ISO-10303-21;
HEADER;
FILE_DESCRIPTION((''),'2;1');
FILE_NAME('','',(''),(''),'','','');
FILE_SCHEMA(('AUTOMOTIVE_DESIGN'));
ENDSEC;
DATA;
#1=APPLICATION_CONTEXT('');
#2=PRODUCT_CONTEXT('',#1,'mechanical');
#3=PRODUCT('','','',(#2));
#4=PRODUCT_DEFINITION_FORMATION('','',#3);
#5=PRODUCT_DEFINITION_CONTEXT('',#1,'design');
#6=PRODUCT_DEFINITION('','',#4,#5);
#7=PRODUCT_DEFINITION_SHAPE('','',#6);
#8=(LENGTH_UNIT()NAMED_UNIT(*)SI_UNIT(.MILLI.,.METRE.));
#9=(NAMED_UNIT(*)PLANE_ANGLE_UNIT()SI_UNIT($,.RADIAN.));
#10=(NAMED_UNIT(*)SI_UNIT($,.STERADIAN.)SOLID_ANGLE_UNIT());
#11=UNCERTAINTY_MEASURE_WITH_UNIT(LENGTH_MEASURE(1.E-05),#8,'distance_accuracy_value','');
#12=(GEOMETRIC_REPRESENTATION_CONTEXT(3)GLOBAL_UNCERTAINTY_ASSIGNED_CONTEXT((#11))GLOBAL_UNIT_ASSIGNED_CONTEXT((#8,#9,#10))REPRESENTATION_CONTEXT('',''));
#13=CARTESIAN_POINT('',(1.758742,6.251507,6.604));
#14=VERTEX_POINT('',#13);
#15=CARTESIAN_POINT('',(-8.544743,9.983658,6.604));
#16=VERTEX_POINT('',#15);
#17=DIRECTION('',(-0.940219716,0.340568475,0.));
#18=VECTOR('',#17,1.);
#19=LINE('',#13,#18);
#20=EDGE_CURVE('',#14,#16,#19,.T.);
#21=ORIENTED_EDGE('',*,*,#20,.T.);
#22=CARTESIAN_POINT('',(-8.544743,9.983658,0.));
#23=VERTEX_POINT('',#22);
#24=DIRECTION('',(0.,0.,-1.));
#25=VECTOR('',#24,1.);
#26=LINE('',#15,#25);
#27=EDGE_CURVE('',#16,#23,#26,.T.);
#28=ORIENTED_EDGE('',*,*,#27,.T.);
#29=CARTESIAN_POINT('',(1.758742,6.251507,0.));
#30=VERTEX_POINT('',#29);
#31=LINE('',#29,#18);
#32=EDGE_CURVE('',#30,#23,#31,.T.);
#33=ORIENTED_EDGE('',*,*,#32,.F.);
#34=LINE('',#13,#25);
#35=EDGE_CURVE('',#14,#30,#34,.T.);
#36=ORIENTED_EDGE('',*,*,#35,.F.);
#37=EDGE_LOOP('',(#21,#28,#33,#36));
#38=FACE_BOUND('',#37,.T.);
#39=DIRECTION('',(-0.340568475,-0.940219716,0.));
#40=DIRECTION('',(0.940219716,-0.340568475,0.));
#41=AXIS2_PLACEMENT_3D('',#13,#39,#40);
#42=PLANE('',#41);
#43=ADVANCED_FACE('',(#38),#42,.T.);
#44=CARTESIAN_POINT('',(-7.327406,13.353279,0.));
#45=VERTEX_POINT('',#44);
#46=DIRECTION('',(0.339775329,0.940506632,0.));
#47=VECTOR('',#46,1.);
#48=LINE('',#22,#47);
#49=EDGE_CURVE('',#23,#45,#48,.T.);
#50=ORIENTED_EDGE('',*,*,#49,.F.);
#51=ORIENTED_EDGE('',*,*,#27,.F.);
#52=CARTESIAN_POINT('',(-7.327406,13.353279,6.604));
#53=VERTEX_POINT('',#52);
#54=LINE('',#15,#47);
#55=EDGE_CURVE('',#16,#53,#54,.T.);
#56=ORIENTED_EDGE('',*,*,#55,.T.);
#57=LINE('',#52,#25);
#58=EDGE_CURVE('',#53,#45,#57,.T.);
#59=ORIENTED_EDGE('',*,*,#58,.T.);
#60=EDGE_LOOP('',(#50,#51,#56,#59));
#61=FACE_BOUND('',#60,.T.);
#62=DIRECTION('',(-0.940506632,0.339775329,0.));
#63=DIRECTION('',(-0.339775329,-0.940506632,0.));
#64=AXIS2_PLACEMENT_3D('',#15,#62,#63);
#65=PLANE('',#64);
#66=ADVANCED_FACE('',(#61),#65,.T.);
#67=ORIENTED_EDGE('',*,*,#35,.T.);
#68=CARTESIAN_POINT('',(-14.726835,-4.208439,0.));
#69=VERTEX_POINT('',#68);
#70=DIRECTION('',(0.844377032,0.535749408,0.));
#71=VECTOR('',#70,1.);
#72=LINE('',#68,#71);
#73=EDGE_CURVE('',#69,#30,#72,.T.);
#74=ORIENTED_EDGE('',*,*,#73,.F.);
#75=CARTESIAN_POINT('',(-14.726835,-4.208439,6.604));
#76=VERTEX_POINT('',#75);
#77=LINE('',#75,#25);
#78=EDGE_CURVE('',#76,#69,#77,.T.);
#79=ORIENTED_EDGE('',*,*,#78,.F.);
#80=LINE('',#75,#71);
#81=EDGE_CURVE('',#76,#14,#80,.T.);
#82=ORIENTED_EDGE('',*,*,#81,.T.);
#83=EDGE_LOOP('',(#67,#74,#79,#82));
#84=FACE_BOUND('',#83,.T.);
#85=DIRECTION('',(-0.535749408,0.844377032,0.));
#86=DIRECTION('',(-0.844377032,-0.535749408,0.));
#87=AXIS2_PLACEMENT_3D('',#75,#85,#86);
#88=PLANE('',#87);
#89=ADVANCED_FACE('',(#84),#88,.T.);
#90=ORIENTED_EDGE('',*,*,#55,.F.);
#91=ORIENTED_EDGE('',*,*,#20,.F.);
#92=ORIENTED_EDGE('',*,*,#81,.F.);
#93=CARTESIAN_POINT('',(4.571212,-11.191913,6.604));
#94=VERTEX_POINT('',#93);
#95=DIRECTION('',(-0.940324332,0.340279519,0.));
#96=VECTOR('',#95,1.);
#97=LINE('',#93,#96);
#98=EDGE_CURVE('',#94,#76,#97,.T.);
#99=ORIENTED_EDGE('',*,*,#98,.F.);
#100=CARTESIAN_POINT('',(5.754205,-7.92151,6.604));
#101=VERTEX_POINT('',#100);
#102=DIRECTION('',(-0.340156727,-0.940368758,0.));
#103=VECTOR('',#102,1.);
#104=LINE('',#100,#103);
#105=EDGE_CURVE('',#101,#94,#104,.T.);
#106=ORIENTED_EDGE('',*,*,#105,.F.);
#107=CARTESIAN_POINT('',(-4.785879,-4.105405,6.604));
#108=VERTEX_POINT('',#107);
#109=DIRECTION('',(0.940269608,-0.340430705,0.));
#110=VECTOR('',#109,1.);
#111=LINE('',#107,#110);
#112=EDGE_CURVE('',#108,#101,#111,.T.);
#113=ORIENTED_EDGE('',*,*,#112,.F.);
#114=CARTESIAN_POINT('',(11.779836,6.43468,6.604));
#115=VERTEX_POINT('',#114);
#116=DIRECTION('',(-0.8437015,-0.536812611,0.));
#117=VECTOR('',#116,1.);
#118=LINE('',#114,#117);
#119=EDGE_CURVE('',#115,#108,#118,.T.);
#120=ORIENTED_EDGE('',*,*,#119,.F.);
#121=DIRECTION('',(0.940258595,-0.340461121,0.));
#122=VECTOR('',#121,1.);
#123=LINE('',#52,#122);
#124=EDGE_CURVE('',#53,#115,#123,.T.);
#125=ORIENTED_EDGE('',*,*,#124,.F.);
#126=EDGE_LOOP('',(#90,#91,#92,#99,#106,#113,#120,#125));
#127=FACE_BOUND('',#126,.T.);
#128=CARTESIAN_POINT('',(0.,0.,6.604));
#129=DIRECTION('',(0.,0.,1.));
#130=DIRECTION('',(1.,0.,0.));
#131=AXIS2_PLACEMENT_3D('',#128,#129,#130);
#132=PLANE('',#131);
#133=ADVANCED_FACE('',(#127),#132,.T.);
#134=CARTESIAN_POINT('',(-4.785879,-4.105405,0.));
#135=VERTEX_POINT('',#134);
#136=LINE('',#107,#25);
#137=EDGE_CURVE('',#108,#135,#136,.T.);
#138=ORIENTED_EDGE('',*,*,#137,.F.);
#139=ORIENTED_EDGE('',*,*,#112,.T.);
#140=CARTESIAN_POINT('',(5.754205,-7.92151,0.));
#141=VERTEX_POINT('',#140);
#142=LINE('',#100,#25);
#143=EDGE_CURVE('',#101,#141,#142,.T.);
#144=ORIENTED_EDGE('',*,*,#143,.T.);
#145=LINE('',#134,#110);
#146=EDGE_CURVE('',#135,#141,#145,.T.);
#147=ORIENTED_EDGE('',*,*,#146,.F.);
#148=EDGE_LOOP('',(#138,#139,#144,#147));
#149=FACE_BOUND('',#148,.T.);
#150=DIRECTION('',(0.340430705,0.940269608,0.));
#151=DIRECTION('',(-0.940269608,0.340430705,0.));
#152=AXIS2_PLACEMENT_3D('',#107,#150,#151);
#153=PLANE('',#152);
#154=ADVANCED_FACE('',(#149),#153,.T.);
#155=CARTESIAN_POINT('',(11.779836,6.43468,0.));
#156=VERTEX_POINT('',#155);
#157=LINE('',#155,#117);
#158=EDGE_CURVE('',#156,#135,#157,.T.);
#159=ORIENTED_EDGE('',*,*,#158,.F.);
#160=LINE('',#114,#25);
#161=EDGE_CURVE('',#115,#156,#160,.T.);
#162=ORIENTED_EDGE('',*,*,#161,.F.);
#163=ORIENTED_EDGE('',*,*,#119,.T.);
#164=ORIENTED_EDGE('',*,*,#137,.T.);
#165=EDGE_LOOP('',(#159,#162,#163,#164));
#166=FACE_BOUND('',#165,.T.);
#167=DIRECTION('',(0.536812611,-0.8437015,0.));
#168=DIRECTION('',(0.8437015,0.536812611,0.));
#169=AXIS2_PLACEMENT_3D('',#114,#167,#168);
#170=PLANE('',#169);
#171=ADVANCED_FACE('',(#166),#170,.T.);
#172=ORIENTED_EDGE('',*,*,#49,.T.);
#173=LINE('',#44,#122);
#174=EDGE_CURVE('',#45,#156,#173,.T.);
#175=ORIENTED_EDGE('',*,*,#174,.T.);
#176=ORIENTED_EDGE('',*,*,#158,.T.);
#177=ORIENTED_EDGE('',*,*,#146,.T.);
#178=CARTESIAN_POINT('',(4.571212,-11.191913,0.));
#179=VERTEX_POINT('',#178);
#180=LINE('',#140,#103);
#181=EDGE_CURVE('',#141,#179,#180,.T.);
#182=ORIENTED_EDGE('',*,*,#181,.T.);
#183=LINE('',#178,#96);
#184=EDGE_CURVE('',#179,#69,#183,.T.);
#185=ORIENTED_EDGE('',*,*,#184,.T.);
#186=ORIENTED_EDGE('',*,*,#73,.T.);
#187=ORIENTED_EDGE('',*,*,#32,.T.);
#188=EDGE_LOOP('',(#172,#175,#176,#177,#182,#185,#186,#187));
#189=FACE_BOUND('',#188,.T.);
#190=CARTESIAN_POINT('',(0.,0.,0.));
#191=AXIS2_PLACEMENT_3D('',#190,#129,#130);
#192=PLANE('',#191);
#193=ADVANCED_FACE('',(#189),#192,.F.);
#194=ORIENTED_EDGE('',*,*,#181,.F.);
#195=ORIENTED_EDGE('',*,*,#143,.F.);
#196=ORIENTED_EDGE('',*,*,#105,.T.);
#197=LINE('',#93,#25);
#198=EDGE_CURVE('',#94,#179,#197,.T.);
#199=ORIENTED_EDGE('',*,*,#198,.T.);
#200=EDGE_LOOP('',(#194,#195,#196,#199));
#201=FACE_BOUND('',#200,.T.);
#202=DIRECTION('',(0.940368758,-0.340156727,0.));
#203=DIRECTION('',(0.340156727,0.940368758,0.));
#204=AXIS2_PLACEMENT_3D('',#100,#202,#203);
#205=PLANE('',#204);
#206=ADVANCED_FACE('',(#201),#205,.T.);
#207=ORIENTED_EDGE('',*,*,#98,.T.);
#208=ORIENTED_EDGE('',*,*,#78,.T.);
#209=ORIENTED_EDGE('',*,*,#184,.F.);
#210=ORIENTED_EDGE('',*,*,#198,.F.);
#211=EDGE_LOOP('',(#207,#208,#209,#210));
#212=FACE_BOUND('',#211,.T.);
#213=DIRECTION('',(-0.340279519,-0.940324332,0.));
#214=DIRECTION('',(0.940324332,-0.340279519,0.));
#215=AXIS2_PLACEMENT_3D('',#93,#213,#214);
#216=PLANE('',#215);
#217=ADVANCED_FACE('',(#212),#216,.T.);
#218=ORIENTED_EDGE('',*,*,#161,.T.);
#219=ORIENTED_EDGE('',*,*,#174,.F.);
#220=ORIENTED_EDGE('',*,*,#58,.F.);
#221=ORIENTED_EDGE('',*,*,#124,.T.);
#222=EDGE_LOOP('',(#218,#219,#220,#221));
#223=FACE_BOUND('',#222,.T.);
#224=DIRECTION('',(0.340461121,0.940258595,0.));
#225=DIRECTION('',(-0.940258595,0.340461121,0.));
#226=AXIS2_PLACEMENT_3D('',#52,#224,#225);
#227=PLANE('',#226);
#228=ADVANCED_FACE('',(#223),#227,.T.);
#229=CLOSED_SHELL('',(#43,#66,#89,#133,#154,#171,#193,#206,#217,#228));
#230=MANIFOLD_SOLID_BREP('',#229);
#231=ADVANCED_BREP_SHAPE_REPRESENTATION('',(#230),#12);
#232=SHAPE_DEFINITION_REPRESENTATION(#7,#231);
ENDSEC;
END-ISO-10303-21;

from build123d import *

# Parameters (mm, degrees)
BOSS_EXTRUDE1_DEPTH = 6.604


with BuildPart() as part:
    # Sketch1 → Boss-Extrude1 (new body)
    with BuildSketch(Plane.XY):
        Polygon((-7.327405634, 13.353279346), (11.779835952, 6.434679586), (-4.785879192, -4.105404548), (5.754204943, -7.921510318), (4.571212154, -11.191912962), (-14.726834721, -4.208439404), (1.758742202, 6.251506509), (-8.544743375, 9.983657952), align=None)
    extrude(amount=BOSS_EXTRUDE1_DEPTH)


solid = part.part
